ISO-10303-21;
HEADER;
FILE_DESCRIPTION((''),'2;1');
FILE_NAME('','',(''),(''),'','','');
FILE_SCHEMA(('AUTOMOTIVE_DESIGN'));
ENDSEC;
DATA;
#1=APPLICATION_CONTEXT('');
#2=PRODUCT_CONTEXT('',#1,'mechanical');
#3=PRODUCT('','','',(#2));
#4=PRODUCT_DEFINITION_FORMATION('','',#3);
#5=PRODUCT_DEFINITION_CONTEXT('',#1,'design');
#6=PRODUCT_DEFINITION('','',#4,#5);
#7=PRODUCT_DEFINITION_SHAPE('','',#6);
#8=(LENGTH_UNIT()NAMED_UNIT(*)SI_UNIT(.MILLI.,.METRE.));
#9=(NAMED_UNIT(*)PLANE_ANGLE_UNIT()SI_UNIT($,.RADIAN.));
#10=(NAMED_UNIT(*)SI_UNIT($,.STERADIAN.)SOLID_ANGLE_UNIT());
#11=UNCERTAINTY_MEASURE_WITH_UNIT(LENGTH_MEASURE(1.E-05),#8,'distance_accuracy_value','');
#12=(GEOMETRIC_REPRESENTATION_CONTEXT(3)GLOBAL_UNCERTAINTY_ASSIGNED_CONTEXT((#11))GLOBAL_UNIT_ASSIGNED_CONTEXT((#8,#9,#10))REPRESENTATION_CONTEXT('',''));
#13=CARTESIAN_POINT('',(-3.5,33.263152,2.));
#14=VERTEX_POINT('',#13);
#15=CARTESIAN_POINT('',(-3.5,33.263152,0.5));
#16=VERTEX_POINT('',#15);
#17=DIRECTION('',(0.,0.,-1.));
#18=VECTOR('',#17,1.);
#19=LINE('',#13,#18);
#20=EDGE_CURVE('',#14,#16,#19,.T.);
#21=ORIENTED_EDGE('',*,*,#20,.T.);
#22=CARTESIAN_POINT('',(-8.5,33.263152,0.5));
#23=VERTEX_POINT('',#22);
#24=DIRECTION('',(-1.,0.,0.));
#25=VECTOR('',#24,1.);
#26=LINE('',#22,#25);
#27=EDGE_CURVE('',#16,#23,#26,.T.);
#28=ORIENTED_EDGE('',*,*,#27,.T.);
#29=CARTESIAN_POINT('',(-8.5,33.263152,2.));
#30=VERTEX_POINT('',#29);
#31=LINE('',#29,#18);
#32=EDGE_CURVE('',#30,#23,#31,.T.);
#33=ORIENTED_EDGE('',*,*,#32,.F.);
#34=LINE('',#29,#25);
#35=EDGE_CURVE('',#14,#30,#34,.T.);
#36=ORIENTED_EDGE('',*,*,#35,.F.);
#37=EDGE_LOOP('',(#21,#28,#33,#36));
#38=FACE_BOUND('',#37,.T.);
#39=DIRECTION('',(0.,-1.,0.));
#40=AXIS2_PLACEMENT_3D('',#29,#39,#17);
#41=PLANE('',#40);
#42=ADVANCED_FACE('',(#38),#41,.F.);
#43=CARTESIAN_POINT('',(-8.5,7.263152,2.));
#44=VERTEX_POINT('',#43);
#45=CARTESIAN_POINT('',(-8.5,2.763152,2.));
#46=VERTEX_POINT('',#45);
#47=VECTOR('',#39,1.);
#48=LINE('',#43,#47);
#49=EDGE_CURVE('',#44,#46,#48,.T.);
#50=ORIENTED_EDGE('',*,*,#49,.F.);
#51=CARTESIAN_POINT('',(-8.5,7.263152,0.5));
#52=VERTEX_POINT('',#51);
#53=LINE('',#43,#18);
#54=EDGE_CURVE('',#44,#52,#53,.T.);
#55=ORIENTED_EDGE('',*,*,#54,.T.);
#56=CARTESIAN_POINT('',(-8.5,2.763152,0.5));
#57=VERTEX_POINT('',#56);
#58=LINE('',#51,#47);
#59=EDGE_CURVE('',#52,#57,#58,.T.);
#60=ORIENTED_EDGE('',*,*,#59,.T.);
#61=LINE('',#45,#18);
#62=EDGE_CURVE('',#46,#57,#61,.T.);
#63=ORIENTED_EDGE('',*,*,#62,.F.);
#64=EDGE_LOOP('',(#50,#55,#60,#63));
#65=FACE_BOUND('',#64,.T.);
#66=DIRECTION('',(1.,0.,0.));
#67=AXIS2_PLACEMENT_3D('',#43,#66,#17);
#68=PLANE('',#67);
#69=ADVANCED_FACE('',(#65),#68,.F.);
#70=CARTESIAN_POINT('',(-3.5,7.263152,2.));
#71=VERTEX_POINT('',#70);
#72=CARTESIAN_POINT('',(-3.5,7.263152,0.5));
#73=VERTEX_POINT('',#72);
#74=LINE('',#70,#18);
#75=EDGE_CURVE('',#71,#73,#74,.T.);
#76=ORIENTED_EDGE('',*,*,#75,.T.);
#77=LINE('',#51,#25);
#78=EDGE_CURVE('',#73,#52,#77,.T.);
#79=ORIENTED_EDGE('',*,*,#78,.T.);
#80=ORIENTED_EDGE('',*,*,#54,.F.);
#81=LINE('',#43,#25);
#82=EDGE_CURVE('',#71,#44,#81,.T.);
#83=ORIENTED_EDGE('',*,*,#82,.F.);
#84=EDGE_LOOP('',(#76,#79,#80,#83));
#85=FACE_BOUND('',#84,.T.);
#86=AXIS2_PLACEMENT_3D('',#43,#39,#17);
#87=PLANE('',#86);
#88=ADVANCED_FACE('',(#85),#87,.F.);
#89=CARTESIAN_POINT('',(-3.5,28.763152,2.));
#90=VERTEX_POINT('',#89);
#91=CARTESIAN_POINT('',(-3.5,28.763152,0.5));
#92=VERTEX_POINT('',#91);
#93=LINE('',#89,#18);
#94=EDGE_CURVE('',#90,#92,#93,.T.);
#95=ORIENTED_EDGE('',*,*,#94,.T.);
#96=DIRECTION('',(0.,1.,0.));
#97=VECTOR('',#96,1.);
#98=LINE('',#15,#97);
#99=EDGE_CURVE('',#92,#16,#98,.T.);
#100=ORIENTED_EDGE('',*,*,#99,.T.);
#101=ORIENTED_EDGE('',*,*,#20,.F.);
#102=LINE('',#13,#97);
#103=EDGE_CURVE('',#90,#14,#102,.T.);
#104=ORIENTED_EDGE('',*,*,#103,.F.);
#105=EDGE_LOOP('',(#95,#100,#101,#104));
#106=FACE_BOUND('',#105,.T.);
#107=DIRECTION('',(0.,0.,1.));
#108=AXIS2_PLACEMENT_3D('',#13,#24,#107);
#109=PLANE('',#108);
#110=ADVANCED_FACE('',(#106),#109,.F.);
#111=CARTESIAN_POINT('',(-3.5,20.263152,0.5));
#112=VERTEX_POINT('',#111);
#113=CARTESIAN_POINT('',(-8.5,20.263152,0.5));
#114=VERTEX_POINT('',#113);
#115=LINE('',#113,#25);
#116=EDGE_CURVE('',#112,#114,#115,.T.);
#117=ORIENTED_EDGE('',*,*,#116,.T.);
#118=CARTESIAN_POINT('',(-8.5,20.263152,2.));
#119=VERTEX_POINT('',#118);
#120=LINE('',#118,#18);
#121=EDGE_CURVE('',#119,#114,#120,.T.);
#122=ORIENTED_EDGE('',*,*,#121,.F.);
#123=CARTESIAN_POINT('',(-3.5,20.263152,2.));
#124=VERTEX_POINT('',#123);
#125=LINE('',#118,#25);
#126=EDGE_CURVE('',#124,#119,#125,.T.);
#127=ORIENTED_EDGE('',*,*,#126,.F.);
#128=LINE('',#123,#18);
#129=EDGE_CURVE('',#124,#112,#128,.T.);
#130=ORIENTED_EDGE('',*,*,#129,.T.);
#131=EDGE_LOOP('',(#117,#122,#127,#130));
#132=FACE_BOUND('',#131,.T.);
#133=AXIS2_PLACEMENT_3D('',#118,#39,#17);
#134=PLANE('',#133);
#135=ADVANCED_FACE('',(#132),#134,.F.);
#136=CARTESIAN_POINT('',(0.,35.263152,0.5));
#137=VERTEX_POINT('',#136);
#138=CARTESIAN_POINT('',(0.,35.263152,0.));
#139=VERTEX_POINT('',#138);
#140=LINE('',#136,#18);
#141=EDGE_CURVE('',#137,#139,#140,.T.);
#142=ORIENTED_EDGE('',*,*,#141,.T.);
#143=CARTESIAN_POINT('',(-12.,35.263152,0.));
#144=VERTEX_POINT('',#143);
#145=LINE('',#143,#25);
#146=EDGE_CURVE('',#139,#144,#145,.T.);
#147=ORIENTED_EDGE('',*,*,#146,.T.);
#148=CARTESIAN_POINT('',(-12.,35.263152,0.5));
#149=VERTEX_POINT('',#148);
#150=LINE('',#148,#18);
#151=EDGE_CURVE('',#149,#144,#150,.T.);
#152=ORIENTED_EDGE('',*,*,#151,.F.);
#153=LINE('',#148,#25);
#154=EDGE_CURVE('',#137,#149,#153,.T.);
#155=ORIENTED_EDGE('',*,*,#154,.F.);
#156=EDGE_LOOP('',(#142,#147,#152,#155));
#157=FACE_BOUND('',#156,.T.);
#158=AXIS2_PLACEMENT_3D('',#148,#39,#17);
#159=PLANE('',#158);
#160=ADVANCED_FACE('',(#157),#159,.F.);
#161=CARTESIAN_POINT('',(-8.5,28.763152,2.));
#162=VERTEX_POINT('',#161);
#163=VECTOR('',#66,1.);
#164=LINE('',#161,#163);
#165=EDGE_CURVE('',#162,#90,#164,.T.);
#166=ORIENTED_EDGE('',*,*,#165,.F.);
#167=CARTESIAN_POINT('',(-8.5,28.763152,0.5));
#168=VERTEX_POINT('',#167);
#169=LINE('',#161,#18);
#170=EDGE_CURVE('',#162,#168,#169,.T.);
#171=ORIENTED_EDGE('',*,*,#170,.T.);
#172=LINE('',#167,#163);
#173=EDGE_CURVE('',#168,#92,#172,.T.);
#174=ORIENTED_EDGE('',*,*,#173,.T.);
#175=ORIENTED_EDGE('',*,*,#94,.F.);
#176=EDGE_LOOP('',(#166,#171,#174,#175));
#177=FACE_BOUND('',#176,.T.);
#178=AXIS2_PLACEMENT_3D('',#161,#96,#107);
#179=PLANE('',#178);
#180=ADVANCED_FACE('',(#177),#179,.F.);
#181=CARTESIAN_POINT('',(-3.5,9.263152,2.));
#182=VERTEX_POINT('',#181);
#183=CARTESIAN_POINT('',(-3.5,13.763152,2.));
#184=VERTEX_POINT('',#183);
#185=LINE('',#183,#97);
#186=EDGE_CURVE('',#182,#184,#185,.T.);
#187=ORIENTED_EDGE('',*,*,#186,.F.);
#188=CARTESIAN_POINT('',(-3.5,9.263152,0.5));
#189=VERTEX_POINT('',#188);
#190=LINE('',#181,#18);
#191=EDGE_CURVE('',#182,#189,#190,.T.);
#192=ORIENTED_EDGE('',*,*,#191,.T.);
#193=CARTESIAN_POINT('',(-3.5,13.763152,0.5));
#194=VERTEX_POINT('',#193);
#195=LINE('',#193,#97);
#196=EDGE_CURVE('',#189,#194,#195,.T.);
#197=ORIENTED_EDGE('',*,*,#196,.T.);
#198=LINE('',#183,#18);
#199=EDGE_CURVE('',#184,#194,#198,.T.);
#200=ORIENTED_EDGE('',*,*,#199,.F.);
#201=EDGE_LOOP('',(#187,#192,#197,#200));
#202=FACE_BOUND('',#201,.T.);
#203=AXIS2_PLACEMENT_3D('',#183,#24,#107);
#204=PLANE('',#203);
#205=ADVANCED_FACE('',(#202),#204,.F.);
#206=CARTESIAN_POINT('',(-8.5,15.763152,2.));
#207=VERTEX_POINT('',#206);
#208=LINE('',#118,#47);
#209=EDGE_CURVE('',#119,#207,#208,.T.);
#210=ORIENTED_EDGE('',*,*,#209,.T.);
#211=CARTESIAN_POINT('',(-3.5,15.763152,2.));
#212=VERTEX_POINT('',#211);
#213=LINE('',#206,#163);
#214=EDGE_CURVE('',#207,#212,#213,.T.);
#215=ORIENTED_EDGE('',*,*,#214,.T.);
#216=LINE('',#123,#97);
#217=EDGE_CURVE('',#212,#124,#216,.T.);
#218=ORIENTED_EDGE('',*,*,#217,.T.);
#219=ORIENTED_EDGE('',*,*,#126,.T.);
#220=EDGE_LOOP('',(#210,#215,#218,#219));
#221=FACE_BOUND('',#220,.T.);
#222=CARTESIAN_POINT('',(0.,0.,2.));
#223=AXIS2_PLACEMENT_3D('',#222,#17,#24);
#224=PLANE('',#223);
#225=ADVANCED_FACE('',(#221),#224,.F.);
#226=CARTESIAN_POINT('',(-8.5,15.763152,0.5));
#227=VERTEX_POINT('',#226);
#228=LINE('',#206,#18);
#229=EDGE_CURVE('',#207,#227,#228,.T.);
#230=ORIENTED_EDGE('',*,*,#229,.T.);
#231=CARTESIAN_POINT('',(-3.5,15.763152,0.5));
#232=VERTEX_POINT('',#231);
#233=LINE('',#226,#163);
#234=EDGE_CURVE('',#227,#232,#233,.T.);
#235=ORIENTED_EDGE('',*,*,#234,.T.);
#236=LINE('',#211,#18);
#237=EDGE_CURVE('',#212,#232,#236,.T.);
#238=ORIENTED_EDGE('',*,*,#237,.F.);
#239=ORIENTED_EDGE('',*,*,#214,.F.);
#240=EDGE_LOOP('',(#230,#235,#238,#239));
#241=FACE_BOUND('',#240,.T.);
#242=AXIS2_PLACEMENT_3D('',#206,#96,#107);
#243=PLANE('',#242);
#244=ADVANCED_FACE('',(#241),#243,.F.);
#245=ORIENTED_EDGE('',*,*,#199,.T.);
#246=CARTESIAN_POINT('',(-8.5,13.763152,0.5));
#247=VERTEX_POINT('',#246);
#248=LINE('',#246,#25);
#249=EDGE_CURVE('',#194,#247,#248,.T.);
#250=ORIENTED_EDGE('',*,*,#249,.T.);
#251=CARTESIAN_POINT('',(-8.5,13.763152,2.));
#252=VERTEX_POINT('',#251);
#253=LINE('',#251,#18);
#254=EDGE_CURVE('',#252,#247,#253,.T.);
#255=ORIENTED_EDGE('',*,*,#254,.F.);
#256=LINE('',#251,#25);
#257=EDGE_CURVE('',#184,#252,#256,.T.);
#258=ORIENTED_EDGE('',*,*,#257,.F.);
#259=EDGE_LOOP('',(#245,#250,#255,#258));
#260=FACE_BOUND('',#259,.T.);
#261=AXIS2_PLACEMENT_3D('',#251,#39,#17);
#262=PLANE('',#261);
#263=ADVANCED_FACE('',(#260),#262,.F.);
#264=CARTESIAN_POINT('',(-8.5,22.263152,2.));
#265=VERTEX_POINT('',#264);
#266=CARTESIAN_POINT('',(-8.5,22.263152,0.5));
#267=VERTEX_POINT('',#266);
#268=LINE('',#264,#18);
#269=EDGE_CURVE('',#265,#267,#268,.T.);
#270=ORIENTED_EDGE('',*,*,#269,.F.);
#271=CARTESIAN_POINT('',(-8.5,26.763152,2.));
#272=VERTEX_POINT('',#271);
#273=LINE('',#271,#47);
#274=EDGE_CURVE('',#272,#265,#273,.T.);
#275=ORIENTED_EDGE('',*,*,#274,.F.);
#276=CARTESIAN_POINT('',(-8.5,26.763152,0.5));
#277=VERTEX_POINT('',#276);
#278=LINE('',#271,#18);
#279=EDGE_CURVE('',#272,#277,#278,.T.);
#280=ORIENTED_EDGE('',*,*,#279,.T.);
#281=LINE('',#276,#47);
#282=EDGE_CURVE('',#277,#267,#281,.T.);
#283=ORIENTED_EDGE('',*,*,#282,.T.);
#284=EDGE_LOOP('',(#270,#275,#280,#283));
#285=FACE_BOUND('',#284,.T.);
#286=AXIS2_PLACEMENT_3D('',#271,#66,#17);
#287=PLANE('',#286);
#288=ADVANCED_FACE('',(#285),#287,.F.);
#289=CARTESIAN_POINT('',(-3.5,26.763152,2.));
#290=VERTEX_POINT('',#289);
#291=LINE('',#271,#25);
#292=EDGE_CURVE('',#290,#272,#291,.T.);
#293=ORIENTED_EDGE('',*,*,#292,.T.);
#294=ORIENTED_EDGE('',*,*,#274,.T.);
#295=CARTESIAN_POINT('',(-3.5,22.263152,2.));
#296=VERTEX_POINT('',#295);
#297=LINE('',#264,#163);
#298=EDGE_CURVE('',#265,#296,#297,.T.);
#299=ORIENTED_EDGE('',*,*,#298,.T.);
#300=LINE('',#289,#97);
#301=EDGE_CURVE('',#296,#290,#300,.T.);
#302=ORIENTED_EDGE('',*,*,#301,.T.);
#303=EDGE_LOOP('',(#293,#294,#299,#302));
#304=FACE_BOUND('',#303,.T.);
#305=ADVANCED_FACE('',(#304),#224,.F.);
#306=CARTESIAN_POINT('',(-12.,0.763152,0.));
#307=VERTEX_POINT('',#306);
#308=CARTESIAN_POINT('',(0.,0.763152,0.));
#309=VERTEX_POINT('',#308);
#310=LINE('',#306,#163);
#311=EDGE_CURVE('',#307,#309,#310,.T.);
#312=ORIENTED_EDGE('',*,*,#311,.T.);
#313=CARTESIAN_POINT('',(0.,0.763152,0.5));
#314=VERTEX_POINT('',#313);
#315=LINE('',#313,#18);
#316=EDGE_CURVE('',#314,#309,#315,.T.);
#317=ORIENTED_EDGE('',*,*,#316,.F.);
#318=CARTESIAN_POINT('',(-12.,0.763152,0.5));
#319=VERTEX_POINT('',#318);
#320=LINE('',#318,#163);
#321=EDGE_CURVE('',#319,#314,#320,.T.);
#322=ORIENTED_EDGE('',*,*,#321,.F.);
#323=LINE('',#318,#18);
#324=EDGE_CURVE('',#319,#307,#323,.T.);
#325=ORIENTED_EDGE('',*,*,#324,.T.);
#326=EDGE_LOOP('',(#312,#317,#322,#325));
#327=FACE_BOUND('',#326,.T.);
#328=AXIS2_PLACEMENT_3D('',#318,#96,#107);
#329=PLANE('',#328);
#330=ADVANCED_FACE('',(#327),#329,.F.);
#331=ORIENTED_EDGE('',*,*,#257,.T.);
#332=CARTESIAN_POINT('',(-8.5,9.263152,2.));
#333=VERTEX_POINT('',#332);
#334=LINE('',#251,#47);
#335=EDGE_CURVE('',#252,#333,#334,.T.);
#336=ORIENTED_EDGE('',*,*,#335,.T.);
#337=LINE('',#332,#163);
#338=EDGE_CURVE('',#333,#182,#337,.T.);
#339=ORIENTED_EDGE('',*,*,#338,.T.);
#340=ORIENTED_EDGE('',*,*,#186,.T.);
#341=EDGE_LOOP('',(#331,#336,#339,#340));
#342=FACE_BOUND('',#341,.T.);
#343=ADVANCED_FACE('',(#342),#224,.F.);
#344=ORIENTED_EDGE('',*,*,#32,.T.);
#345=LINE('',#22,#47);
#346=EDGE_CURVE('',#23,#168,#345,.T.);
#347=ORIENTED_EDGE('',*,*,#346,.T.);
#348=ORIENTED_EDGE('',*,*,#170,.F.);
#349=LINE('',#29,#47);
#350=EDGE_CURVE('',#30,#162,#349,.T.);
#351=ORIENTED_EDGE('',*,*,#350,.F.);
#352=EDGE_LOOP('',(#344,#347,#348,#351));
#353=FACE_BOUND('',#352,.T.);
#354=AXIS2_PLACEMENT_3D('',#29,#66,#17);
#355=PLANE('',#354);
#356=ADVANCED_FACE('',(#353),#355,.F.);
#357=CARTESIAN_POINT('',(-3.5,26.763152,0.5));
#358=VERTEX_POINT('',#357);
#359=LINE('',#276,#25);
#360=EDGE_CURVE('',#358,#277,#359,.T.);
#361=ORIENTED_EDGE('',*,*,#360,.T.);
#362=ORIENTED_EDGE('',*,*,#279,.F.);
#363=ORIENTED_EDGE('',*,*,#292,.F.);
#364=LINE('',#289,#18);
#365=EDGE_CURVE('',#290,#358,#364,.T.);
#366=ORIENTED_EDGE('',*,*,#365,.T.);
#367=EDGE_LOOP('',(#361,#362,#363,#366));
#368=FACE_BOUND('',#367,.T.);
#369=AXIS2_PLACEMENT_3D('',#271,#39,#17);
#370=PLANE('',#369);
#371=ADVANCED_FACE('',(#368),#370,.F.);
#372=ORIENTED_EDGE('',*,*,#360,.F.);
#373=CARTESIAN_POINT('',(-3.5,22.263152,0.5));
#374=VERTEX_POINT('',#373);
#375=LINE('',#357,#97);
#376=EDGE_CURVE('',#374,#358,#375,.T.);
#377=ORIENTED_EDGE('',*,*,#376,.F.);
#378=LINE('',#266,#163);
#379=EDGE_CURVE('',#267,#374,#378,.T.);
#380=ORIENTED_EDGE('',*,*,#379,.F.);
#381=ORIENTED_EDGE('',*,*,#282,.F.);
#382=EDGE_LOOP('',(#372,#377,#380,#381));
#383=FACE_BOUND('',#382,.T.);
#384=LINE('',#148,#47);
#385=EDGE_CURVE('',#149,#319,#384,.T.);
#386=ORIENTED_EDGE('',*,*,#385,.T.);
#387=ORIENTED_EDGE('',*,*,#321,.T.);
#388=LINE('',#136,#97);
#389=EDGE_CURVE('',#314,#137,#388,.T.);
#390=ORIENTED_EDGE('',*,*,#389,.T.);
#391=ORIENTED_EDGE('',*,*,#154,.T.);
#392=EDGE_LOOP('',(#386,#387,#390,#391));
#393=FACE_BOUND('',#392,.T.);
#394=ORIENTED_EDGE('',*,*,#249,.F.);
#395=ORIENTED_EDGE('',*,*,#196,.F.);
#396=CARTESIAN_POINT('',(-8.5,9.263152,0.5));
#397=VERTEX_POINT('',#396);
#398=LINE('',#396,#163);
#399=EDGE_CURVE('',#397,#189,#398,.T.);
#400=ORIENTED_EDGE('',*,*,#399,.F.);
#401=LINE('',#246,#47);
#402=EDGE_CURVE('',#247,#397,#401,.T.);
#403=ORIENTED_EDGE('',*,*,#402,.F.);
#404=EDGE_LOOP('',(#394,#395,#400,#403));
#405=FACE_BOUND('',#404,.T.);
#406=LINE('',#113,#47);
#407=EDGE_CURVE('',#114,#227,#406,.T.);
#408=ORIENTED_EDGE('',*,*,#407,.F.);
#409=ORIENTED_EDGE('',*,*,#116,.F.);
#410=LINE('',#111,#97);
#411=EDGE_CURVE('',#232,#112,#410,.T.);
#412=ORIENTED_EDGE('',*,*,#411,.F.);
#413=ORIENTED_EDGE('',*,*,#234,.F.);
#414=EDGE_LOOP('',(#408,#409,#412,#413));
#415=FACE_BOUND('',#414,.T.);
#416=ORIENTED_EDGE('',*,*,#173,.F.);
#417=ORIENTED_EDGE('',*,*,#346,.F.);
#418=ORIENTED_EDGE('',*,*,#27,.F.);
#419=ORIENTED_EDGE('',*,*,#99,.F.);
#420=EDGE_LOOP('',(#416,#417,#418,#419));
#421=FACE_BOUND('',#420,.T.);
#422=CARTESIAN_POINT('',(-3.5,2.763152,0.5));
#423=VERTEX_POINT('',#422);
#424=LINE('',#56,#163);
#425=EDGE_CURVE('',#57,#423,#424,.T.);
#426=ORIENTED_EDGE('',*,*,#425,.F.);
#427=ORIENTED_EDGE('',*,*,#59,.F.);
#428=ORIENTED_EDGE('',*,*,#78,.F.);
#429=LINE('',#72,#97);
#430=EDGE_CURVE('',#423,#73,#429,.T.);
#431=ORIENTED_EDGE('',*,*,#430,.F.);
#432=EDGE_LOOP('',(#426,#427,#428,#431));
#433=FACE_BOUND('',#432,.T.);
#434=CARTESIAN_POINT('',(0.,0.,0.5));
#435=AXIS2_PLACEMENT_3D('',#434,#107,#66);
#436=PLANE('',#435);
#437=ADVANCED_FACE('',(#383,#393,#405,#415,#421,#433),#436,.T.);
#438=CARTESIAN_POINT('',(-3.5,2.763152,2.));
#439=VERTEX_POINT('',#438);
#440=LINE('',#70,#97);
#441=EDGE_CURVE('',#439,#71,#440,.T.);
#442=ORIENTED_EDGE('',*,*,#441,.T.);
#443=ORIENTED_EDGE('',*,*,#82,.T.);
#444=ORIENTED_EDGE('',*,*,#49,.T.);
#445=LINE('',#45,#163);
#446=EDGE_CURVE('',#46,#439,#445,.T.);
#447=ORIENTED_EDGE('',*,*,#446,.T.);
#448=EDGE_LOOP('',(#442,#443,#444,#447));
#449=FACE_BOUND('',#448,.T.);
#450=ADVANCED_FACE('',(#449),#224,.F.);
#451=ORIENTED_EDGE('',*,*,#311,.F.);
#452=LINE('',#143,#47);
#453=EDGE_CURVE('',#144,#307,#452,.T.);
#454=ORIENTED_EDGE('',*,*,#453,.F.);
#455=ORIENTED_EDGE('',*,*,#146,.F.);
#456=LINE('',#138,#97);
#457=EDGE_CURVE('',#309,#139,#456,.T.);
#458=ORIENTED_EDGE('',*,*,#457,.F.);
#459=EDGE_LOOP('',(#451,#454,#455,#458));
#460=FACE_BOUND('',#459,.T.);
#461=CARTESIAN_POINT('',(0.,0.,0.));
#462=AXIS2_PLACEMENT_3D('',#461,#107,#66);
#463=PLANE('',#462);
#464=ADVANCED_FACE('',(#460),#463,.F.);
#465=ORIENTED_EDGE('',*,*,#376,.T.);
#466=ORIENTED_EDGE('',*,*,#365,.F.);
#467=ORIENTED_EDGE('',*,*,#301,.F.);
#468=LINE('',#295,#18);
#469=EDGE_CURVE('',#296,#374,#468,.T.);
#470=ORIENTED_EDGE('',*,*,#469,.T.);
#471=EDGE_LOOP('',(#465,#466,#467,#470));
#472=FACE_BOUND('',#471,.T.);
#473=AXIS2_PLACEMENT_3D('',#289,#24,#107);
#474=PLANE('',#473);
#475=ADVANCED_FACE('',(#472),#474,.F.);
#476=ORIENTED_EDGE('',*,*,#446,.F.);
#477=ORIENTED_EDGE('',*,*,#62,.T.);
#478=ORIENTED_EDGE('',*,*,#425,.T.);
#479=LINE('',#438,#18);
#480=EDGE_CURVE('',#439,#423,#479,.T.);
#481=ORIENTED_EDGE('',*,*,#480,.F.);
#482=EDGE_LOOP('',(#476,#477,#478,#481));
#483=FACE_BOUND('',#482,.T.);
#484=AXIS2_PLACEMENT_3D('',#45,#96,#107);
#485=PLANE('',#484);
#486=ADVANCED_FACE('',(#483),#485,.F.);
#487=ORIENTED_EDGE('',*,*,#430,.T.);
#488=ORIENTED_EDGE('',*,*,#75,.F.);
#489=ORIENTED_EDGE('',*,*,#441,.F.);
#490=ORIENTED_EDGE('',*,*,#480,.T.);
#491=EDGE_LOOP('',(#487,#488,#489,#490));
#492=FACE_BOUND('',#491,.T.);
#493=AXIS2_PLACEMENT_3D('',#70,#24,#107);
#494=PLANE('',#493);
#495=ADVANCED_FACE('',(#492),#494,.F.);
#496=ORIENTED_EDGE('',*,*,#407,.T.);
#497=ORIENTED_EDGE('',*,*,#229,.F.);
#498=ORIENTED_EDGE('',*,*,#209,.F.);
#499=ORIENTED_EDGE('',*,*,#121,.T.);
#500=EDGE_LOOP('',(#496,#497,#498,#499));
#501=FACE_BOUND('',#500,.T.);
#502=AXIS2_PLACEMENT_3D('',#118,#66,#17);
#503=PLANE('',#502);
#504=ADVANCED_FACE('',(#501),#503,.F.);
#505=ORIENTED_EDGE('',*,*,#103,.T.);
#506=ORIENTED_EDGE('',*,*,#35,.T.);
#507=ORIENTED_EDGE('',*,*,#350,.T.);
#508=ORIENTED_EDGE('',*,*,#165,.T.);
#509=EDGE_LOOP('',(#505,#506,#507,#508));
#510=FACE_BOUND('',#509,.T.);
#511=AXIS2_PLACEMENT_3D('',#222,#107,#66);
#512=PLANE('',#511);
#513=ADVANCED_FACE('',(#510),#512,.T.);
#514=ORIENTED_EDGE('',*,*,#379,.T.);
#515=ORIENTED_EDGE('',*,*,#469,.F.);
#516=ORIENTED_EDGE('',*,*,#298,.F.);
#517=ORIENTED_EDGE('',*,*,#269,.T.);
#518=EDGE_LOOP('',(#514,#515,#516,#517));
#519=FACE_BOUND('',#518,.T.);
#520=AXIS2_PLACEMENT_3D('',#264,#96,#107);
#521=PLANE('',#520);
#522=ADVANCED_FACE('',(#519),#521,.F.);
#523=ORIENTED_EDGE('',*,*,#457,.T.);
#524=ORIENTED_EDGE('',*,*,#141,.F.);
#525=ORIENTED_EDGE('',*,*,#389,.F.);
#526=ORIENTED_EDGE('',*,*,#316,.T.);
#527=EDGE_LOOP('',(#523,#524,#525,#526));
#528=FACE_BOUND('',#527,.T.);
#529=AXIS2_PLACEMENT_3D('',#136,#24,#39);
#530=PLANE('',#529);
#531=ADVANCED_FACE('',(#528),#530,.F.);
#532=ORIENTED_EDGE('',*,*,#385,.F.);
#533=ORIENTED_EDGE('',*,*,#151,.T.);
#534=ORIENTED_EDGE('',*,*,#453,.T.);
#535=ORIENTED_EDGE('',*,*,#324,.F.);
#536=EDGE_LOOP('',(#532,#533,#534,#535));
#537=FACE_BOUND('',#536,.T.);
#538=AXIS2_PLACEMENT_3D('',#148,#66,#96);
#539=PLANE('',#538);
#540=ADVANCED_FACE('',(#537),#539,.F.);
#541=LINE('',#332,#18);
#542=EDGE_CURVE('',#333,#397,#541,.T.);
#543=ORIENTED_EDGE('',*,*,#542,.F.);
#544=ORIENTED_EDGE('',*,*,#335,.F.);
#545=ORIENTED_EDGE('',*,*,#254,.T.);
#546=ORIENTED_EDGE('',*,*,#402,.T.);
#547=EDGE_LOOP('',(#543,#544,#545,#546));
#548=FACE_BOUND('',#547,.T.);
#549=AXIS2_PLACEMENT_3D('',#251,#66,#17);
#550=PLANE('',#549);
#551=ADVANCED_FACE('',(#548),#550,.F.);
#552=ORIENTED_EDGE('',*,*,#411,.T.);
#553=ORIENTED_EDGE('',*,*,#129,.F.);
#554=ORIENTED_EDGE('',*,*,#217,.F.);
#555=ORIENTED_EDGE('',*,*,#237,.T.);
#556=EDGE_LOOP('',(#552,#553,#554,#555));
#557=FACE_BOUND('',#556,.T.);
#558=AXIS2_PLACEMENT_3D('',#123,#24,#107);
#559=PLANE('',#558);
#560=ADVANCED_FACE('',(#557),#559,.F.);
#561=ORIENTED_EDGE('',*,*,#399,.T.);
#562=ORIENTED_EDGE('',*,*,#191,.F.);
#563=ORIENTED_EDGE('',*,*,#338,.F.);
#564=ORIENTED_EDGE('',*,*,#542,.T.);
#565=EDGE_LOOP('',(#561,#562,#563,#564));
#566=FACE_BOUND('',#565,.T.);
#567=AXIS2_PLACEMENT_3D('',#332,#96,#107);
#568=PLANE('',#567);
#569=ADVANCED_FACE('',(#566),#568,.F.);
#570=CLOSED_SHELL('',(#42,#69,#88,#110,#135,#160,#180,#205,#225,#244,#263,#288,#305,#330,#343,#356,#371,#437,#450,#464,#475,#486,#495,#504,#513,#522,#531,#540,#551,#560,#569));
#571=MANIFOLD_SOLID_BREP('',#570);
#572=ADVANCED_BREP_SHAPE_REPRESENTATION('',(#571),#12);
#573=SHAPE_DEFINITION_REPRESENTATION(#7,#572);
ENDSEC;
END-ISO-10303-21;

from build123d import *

# Parameters (mm, degrees)
ESQUISSE1_W        = 12
ESQUISSE1_H        = 34.5
BOSS_EXTRU_1_DEPTH = 0.5
ESQUISSE2_W        = 5
ESQUISSE2_H        = 4.5
BOSS_EXTRU_2_DEPTH = 1.5


with BuildPart() as part:
    # Esquisse1 → Boss.-Extru.1 (new body)
    with BuildSketch(Plane.XY):
        with Locations((-6, 18.013152108)):
            Rectangle(ESQUISSE1_W, ESQUISSE1_H)
    extrude(amount=BOSS_EXTRU_1_DEPTH)

    # Esquisse2 → Boss.-Extru.2 (add)
    with BuildSketch(Plane.XY.offset(0.5)):
        with Locations((-6, 31.013152108)):
            Rectangle(ESQUISSE2_W, ESQUISSE2_H)
        with Locations((-6, 24.513152108)):
            Rectangle(ESQUISSE2_W, ESQUISSE2_H)
        with Locations((-6, 18.013152108)):
            Rectangle(ESQUISSE2_W, ESQUISSE2_H)
        with Locations((-6, 11.513152108)):
            Rectangle(ESQUISSE2_W, ESQUISSE2_H)
        with Locations((-6, 5.013152108)):
            Rectangle(ESQUISSE2_W, ESQUISSE2_H)
    extrude(amount=BOSS_EXTRU_2_DEPTH)


solid = part.part
